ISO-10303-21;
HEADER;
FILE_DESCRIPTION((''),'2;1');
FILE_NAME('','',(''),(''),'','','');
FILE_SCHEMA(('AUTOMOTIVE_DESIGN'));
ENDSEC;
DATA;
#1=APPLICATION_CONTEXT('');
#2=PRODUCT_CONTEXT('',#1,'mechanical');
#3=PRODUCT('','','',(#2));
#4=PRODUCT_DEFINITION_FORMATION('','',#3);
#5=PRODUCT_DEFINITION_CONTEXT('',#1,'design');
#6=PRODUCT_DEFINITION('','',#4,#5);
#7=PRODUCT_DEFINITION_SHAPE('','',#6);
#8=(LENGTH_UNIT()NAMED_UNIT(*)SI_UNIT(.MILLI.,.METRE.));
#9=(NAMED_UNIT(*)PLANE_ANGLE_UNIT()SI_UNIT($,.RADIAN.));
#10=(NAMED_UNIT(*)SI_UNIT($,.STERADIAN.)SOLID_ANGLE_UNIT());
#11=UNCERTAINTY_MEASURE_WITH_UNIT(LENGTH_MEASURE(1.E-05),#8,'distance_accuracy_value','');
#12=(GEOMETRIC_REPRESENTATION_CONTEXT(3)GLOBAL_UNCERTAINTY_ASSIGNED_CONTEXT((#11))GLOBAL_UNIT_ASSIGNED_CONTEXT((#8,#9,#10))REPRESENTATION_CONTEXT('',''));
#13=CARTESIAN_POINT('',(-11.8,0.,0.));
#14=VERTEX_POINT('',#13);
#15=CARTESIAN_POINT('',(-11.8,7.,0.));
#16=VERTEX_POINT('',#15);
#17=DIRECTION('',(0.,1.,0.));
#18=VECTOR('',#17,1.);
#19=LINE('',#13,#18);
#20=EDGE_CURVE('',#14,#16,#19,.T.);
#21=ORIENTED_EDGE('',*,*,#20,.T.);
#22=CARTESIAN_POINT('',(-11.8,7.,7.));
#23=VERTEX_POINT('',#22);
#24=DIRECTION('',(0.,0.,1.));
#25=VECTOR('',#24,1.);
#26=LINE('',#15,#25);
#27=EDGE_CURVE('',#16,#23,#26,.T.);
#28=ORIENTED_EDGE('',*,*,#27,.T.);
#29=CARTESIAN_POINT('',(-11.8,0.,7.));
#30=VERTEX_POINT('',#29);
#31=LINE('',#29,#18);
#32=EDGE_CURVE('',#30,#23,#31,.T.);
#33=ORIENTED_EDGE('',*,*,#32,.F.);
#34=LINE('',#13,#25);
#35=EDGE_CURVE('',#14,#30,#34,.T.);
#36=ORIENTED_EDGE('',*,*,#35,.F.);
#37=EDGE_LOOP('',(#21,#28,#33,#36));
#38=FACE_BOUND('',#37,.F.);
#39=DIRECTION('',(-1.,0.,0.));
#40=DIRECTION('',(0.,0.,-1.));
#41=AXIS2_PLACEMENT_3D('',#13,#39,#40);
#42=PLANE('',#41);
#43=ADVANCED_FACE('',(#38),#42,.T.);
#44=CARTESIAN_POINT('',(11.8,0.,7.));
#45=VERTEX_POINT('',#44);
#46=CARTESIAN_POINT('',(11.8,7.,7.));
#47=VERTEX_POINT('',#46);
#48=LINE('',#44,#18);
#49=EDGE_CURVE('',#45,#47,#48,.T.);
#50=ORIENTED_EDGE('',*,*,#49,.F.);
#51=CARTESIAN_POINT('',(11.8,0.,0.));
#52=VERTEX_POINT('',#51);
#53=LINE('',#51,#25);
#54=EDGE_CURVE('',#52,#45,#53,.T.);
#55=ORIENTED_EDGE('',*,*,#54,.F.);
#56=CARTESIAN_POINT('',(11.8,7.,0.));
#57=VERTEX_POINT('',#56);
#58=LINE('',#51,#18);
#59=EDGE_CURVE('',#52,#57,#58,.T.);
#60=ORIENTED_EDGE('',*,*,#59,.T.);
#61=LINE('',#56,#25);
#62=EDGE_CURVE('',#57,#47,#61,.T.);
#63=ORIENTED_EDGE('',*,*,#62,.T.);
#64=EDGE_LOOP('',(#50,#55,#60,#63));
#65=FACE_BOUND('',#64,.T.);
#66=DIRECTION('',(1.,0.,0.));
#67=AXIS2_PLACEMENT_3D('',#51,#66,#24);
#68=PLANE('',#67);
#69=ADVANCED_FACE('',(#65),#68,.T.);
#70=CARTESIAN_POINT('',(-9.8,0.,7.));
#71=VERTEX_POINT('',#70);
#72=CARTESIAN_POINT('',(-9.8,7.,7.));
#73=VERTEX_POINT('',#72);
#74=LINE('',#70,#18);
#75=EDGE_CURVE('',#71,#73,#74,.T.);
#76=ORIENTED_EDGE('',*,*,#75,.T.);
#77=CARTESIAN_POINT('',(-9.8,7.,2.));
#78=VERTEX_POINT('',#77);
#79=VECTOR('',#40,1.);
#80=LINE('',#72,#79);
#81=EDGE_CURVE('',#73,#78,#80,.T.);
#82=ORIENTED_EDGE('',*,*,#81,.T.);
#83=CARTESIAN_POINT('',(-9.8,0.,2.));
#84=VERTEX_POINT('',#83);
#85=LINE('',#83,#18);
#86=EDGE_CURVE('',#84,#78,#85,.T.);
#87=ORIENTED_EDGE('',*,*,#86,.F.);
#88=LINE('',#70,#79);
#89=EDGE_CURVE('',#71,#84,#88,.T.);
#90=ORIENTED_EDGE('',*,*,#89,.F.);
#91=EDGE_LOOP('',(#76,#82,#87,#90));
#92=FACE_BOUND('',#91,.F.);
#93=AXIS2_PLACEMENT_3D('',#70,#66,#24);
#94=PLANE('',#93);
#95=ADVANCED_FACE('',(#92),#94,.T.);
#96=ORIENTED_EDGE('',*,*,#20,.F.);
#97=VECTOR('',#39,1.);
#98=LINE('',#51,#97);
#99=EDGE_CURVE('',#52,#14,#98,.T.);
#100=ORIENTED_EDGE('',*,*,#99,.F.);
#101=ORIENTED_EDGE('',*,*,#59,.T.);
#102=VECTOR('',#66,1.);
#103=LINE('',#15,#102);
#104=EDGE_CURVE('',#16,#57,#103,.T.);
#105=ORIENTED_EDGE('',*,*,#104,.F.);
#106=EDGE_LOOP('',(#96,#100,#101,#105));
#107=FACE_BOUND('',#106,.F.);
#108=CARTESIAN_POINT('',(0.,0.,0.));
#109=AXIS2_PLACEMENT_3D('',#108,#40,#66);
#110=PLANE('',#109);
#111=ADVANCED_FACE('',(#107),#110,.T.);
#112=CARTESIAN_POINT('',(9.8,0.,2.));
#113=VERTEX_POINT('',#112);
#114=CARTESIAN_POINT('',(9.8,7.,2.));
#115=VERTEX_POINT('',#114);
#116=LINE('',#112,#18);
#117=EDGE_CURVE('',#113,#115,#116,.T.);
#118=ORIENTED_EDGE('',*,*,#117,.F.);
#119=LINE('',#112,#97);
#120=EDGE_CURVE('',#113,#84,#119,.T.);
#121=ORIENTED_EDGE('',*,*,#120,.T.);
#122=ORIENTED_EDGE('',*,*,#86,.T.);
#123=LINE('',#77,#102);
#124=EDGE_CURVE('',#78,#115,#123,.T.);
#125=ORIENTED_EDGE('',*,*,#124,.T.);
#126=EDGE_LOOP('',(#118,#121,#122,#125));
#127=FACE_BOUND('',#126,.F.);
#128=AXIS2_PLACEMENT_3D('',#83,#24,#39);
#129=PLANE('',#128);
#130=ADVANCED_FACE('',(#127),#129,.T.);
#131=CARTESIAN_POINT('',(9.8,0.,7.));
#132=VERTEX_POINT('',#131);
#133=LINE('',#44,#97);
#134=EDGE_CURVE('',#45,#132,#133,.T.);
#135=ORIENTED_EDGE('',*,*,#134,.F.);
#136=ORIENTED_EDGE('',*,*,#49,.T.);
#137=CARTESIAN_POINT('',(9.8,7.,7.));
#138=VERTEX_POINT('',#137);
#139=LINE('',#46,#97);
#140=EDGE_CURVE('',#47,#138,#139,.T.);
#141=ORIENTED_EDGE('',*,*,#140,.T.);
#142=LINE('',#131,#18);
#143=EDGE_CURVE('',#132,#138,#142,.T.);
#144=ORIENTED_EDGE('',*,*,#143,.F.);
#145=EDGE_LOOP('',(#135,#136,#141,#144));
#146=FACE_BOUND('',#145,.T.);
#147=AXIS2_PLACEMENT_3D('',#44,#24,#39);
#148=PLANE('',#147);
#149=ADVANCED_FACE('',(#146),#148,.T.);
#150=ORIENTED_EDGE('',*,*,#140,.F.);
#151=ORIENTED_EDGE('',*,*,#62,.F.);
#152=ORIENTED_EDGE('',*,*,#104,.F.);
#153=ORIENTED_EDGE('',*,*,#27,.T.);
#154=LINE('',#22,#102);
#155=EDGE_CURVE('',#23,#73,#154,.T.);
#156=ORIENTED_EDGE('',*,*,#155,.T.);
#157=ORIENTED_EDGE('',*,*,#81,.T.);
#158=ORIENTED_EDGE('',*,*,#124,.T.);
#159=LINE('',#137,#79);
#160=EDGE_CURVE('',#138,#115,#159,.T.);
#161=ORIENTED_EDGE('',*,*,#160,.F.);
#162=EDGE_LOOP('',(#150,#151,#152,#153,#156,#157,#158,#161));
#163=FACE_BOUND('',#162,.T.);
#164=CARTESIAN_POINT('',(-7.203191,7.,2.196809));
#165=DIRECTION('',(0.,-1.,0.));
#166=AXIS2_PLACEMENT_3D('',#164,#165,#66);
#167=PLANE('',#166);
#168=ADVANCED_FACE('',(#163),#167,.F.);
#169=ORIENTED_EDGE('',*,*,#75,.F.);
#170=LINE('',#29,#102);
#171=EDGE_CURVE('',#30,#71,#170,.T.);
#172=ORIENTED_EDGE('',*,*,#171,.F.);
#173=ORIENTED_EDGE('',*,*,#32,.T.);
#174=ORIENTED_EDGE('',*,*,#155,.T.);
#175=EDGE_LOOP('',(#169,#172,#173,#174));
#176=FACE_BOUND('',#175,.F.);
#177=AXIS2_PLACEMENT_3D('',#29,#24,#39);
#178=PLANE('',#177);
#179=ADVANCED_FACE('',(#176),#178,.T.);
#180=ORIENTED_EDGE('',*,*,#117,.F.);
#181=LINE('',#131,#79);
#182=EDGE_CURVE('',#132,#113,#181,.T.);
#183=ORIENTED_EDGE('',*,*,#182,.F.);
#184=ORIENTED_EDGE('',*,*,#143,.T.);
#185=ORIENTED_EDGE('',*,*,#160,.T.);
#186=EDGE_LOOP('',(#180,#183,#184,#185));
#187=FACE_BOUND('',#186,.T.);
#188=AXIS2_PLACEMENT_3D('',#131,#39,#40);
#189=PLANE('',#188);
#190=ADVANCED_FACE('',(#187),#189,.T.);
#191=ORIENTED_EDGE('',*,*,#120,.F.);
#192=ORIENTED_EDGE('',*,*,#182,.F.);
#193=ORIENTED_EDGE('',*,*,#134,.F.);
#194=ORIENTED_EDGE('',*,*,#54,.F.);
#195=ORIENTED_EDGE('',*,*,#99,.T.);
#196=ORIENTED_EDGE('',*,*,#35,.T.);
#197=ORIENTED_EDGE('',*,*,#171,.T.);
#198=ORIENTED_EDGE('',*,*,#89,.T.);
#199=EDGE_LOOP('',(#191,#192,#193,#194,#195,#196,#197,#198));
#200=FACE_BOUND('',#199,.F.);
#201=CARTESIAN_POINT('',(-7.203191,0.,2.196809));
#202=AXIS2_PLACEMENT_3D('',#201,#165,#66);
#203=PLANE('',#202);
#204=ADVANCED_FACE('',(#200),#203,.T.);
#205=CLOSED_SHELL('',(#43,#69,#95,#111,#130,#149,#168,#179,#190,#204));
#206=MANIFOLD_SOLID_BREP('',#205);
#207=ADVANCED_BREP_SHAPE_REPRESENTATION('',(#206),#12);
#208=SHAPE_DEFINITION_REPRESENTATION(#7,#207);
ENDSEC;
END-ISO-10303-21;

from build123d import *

# Parameters (mm, degrees)
F1_DEPTH = 7


with BuildPart() as f1:
    # F0 (on Front) → F1 (new body)
    with BuildSketch(Plane.XZ):
        Polygon((0, 2), (0, 0), (11.8, 0), (11.8, 7), (9.8, 7), (9.8, 2), align=None)
    extrude(amount=-F1_DEPTH)

    # F2: F1 across plane


with BuildPart() as f1_1:
    add(f1.part)
    add(f1.part.mirror(Plane.YZ))


solid = f1_1.part
